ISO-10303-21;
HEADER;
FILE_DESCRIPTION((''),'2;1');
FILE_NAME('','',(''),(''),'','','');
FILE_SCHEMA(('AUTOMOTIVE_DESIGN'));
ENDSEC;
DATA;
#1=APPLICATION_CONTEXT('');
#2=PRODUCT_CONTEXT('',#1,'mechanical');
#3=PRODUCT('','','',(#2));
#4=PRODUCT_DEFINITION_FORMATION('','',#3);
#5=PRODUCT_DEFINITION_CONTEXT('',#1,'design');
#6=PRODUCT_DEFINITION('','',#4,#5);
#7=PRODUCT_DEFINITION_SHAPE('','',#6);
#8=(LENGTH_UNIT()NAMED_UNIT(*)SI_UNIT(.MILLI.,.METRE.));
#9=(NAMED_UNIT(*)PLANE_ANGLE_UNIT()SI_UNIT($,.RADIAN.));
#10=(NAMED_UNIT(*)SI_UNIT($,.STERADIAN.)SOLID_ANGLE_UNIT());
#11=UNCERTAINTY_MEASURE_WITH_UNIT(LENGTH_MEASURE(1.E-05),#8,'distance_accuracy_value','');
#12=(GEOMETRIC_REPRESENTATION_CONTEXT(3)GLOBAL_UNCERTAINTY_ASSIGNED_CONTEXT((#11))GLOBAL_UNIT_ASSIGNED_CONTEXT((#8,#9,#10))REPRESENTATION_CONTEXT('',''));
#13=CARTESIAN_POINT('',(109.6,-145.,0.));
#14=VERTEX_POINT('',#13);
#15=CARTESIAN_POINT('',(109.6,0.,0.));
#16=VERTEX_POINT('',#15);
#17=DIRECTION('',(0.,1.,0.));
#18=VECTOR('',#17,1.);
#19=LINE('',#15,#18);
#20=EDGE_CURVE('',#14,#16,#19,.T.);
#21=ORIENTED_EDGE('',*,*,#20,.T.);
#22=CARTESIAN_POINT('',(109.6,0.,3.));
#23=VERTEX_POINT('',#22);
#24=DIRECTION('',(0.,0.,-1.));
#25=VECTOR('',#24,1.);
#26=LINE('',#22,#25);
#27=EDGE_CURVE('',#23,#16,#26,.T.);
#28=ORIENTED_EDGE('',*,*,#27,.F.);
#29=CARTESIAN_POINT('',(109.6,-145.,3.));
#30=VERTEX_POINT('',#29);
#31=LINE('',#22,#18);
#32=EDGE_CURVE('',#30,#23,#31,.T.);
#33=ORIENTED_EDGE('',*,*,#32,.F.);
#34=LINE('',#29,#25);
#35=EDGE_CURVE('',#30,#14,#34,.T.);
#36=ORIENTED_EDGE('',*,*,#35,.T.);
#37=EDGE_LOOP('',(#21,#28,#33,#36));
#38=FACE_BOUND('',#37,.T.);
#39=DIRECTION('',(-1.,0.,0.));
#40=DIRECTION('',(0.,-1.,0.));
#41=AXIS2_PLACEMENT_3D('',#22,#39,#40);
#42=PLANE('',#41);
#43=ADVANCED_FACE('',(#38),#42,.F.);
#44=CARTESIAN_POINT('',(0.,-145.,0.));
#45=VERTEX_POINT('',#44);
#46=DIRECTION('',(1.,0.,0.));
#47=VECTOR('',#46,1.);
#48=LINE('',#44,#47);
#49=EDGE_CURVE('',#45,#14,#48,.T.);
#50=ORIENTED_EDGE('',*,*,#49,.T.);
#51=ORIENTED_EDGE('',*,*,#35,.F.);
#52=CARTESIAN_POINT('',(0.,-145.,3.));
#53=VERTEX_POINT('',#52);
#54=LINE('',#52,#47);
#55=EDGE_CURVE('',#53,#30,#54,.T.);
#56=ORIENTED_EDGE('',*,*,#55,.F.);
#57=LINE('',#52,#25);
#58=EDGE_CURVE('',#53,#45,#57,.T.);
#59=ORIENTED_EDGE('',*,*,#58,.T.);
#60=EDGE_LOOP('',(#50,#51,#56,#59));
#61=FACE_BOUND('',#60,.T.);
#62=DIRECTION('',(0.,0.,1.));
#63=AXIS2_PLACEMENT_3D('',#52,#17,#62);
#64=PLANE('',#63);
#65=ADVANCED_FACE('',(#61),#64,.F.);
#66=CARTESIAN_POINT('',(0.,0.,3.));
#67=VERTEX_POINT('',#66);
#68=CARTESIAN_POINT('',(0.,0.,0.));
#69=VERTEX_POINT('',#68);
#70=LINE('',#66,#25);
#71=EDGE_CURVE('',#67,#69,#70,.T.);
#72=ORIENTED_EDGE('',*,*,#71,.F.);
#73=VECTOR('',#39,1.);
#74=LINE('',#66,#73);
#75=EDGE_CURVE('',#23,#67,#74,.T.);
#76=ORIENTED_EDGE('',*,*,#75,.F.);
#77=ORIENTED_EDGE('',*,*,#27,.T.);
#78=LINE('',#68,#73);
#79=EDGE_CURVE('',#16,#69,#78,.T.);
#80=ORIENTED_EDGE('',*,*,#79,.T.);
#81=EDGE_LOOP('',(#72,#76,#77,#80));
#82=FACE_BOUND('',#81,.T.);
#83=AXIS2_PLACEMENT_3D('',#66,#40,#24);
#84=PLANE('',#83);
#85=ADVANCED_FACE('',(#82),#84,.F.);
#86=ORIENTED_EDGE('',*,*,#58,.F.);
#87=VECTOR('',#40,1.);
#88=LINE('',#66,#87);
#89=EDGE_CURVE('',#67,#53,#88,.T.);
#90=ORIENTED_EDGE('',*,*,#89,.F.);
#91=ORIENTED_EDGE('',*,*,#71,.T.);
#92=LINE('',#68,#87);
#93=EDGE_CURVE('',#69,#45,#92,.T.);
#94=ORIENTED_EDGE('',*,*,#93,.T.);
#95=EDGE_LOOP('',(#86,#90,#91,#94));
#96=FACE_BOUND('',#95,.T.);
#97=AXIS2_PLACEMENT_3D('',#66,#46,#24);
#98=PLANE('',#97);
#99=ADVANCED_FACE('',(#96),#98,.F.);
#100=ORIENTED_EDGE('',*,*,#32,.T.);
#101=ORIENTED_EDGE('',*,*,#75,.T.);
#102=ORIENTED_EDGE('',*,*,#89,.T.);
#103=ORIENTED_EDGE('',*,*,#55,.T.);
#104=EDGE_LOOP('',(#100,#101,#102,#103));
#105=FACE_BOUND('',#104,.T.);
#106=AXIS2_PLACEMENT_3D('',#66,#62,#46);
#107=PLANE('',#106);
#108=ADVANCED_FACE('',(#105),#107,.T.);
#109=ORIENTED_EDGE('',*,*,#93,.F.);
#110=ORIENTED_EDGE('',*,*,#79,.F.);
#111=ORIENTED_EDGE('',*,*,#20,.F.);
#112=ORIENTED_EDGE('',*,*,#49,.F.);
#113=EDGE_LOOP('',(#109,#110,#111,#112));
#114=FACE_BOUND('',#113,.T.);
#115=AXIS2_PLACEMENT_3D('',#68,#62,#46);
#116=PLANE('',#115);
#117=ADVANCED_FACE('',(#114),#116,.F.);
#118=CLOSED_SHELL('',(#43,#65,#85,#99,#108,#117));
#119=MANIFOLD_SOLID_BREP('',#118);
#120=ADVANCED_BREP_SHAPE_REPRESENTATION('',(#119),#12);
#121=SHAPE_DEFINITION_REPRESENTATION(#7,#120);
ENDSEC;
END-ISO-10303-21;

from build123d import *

# Parameters (mm, degrees)
SKETCH1_W           = 109.6
SKETCH1_H           = 145
BOSS_EXTRUDE1_DEPTH = 3


with BuildPart() as part:
    # Sketch1 → Boss-Extrude1 (new body)
    with BuildSketch(Plane.XY):
        with Locations((54.8, -72.5)):
            Rectangle(SKETCH1_W, SKETCH1_H)
    extrude(amount=BOSS_EXTRUDE1_DEPTH)


solid = part.part
